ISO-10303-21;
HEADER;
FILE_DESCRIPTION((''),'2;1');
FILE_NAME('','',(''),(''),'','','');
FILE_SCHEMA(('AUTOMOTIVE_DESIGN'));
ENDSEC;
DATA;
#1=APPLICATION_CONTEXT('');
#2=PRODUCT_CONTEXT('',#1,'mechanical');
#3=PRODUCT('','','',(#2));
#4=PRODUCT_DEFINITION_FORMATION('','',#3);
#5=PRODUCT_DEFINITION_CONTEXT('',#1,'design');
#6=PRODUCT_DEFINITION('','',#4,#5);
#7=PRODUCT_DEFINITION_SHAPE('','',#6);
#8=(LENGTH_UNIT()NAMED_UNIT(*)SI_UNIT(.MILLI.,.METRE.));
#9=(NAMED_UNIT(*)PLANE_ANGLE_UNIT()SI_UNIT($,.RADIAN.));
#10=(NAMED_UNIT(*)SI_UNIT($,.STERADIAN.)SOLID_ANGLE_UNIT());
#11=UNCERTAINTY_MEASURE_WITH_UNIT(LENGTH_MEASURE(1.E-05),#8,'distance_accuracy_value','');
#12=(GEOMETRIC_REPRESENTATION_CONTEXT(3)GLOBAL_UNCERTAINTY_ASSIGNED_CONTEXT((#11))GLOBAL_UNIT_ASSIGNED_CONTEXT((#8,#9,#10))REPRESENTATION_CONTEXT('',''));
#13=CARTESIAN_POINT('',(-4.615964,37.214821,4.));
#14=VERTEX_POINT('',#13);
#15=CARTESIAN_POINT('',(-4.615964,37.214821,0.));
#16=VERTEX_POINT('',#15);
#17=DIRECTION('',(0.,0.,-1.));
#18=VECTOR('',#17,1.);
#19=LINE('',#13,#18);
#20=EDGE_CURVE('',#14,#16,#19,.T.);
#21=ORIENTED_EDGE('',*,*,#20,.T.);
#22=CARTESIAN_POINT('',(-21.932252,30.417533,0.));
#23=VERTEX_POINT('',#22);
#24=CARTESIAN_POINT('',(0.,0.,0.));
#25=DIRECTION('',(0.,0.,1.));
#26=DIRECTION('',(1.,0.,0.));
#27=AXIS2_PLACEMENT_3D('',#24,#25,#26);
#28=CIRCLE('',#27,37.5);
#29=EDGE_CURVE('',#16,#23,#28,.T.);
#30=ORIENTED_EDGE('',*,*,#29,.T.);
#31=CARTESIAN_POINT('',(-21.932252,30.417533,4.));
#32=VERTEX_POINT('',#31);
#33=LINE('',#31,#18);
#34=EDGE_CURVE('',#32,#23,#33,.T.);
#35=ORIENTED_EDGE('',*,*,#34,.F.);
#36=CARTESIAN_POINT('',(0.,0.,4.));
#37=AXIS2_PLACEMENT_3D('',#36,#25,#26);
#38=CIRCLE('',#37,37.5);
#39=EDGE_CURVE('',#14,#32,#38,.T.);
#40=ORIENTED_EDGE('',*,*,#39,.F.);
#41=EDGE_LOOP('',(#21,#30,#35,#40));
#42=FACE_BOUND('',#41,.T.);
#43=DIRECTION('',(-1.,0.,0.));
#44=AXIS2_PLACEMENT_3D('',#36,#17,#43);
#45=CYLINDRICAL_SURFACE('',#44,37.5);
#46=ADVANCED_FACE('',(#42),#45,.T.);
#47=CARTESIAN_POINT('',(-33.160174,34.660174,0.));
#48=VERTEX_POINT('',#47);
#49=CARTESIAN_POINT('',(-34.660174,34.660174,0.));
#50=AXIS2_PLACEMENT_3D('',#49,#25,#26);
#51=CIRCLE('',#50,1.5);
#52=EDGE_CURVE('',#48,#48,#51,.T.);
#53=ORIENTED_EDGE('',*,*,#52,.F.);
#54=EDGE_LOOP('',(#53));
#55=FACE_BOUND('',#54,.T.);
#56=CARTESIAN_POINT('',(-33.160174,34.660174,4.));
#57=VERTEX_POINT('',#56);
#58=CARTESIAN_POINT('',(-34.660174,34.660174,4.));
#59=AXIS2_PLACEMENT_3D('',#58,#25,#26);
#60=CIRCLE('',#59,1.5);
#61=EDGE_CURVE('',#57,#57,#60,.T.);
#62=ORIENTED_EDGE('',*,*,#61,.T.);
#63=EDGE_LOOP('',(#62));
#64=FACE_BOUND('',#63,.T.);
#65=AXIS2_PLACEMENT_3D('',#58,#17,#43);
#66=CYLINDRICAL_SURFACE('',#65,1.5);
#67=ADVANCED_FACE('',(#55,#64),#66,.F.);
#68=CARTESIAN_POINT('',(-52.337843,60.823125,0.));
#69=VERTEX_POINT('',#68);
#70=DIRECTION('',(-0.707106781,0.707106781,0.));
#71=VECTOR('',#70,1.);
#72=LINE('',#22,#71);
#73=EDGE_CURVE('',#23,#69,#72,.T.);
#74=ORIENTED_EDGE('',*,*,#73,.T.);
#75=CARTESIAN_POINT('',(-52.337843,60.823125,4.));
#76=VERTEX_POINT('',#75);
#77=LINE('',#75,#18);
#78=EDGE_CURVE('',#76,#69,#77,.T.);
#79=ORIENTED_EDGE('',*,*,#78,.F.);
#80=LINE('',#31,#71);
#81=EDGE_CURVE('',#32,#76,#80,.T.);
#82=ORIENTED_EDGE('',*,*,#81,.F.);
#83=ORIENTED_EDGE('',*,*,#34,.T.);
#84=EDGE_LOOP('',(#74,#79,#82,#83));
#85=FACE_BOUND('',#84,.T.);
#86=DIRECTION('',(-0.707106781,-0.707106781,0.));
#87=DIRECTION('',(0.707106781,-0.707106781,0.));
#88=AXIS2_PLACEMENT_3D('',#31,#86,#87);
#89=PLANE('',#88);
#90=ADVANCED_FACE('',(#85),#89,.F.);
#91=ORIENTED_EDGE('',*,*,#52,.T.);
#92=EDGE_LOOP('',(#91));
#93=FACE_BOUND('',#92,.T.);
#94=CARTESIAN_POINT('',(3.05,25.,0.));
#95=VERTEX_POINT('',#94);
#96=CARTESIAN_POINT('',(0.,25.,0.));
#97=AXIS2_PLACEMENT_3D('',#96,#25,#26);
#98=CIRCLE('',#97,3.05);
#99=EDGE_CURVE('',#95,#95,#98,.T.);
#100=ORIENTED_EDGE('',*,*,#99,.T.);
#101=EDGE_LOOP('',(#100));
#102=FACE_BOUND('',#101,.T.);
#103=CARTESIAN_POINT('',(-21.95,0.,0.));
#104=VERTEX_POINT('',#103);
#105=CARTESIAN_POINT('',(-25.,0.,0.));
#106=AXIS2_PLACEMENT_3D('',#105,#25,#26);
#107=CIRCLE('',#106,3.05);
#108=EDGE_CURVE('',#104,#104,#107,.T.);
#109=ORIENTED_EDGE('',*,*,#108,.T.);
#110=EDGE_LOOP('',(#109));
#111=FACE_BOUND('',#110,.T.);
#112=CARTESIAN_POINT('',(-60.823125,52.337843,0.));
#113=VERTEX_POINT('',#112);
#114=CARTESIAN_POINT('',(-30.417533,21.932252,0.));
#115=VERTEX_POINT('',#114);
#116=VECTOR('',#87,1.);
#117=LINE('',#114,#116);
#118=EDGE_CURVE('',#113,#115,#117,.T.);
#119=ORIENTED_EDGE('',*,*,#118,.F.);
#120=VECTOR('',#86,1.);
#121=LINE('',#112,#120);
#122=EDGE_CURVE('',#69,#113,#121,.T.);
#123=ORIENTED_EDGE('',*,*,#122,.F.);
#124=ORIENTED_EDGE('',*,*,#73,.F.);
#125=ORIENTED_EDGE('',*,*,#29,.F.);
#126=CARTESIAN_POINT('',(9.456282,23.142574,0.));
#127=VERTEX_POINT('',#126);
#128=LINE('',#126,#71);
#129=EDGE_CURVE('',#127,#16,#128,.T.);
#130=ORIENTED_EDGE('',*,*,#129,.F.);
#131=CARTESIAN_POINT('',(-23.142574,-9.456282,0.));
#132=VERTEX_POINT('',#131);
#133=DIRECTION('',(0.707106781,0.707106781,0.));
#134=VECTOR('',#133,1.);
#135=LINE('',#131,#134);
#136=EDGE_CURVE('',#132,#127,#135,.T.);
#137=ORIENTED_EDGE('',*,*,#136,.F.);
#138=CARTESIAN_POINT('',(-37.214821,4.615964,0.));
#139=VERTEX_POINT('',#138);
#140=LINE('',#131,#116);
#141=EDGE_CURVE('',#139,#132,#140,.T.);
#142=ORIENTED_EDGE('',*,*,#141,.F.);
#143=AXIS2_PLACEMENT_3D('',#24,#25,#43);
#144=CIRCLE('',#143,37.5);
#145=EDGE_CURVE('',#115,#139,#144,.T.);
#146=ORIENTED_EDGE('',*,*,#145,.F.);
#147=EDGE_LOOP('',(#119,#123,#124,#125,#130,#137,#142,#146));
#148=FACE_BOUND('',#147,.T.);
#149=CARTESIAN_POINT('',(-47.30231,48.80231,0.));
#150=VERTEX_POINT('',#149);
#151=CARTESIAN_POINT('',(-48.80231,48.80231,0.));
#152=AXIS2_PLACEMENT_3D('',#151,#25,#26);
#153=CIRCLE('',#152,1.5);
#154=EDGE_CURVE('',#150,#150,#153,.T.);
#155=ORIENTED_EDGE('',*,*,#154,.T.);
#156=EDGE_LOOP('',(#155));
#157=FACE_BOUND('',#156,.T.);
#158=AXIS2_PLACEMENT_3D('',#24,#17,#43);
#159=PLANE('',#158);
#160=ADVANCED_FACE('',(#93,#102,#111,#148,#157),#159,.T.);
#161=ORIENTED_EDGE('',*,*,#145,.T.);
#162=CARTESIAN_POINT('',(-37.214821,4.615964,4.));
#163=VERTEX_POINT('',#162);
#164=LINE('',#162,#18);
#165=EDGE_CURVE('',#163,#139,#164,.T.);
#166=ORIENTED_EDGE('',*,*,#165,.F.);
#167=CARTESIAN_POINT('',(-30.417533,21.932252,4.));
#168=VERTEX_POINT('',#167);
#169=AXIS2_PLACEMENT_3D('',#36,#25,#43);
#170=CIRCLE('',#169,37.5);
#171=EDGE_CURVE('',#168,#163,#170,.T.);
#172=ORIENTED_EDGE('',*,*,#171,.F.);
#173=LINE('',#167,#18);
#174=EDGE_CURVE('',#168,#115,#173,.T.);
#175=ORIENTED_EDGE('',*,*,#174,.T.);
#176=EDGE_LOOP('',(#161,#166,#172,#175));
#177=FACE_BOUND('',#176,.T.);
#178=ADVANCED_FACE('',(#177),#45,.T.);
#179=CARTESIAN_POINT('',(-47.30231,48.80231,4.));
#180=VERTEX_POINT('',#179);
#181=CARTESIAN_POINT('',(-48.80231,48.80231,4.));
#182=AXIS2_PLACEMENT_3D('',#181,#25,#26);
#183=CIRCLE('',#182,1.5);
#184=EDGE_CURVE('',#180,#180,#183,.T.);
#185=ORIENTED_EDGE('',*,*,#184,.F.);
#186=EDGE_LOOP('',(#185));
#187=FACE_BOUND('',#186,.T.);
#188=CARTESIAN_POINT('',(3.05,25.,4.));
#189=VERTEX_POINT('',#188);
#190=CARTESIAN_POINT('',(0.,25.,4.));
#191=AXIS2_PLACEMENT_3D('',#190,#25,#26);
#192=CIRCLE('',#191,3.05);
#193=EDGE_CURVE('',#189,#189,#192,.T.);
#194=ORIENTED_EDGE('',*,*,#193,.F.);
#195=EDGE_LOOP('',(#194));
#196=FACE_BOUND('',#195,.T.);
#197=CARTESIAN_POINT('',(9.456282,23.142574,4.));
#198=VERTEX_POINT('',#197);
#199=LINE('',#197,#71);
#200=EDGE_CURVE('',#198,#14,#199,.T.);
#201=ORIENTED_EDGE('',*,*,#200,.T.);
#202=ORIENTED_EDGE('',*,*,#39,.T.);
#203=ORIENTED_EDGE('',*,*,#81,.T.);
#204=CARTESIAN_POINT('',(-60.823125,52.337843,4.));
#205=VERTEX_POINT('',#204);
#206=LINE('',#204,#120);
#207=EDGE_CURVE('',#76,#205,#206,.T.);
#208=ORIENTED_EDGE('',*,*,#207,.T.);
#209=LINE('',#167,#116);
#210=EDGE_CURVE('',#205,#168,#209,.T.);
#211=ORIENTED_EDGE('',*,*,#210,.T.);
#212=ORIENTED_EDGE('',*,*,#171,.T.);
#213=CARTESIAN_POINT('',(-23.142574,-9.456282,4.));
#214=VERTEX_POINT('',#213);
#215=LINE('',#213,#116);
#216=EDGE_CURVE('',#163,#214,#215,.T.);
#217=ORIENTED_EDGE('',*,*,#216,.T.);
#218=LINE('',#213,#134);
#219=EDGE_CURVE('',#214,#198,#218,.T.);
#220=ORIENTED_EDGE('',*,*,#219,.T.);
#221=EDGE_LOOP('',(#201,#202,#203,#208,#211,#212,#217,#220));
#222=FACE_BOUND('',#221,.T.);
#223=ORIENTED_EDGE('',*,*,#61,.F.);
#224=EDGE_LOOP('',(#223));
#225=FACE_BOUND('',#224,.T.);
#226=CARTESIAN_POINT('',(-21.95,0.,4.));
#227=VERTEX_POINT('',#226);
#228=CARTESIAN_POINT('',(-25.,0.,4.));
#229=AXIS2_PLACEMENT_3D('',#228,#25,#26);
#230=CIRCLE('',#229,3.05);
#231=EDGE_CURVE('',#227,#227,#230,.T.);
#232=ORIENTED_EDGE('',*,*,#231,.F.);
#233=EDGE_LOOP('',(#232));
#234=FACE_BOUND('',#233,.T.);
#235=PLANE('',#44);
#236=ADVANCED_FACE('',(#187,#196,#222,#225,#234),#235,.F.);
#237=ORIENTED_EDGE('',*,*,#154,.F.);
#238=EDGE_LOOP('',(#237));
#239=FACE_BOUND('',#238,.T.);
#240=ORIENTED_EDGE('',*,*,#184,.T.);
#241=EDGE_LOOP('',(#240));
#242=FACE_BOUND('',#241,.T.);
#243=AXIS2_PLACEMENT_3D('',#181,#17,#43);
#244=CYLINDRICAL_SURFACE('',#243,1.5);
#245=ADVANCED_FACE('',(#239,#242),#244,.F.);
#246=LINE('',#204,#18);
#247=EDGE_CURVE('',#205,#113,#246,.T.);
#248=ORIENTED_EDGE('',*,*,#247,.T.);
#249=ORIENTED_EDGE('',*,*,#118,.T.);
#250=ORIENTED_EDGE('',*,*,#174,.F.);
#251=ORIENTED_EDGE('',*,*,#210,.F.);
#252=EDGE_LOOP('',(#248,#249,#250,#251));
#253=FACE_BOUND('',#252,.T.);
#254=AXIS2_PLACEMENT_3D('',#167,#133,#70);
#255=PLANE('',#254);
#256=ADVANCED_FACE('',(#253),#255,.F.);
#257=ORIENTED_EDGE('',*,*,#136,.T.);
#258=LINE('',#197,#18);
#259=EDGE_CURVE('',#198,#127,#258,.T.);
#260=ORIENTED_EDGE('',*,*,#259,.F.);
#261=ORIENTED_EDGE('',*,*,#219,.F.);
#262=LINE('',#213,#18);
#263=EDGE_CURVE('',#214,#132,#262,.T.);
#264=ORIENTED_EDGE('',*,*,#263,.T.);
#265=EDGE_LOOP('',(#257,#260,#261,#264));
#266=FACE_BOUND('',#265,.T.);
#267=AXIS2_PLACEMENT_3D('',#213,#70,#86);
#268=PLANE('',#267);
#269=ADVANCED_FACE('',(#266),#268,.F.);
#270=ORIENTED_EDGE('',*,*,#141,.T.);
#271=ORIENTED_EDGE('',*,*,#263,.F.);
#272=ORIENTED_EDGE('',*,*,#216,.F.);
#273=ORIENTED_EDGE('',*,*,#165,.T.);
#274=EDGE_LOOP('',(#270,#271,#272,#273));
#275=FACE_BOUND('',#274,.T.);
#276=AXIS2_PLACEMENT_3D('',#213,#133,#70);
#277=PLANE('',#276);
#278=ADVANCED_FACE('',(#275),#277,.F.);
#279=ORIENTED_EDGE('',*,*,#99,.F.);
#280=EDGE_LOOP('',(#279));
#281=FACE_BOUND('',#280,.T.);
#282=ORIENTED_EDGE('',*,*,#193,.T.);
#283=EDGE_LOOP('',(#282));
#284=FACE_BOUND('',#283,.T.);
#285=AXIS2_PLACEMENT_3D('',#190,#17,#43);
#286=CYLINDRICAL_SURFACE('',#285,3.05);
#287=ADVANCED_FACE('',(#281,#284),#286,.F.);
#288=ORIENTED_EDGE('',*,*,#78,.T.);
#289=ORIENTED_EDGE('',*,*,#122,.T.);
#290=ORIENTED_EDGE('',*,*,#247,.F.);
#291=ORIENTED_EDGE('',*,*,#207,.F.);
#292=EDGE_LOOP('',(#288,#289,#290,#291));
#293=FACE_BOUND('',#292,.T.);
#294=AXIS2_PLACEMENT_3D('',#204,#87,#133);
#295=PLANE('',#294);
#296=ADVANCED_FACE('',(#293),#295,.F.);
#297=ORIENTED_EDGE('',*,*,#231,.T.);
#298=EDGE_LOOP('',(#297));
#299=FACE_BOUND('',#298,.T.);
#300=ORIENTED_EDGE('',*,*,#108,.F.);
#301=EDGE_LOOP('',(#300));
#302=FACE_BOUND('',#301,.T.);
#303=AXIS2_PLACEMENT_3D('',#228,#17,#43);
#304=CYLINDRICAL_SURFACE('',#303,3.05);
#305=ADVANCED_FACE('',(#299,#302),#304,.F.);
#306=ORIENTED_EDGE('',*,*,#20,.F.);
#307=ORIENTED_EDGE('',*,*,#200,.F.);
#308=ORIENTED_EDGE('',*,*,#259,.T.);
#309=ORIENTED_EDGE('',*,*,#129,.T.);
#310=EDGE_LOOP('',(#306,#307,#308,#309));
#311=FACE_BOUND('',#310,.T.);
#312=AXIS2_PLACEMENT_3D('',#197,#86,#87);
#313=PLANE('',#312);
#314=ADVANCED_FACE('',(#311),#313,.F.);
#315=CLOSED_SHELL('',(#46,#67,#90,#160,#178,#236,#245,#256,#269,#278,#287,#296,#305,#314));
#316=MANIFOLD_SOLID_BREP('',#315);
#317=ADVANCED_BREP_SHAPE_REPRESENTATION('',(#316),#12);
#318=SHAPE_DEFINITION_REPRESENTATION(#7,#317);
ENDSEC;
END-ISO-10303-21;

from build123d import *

# Parameters (mm, degrees)
SKETCH2_R           = 3.05
SKETCH2_R_2         = 1.5
BOSS_EXTRUDE1_DEPTH = 4


with BuildPart() as part:
    # Sketch2 → Boss-Extrude1 (new body)
    with BuildSketch(Plane.XY):
        with BuildLine():
            Line((-23.142573846, -9.456282345), (9.456282345, 23.142573846))
            Line((9.456282345, 23.142573846), (-4.615964413, 37.214820603))
            ThreePointArc((-4.615964413, 37.214820603), (-13.702289069, 34.906980309), (-21.932251863, 30.417533237))
            Line((-21.932251863, 30.417533237), (-52.337843454, 60.823124828))
            Line((-52.337843454, 60.823124828), (-60.823124828, 52.337843454))
            Line((-60.823124828, 52.337843454), (-30.417533237, 21.932251863))
            ThreePointArc((-30.417533237, 21.932251863), (-34.906980309, 13.702289069), (-37.214820603, 4.615964413))
            Line((-37.214820603, 4.615964413), (-23.142573846, -9.456282345))
        make_face()
        with Locations((0, 25)):
            Circle(SKETCH2_R, mode=Mode.SUBTRACT)
        with Locations((-25, 0)):
            Circle(SKETCH2_R, mode=Mode.SUBTRACT)
        with Locations((-48.802309548, 48.802309548)):
            Circle(SKETCH2_R_2, mode=Mode.SUBTRACT)
        with Locations((-34.660173924, 34.660173924)):
            Circle(SKETCH2_R_2, mode=Mode.SUBTRACT)
    extrude(amount=BOSS_EXTRUDE1_DEPTH)


solid = part.part
